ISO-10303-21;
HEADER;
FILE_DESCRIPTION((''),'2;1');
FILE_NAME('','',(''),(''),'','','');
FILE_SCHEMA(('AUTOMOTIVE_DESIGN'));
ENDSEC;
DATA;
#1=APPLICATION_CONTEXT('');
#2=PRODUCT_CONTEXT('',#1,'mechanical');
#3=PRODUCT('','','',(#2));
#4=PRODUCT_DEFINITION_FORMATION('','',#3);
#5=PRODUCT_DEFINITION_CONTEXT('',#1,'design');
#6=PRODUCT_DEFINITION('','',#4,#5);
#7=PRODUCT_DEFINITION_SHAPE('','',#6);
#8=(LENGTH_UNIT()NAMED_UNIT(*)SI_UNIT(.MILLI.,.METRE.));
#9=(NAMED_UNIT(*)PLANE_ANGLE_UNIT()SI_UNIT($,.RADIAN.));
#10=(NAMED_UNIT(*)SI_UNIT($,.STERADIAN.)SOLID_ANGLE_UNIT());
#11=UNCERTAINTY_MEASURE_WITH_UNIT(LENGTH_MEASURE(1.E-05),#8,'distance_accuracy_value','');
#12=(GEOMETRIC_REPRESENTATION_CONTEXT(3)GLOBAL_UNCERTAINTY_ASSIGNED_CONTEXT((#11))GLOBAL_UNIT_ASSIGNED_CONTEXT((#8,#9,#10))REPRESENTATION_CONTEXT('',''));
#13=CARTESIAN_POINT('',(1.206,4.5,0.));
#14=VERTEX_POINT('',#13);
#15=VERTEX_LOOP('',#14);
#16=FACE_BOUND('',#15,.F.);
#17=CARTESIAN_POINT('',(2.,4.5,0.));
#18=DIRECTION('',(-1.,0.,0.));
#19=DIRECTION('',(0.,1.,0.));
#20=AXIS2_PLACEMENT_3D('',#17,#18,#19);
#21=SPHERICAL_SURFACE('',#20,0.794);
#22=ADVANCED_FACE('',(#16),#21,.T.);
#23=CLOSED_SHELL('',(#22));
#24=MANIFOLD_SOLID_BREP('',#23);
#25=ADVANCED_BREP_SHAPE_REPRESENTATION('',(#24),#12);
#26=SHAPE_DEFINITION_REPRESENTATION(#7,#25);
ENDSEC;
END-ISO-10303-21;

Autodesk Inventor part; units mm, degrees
ref_plane "YZ Plane" through (0, 0, 0) normal (1, 0, 0) x (0, 1, 0)
ref_plane "XZ Plane" through (0, 0, 0) normal (0, 1, 0) x (-1, 0, 0)
ref_plane "XY Plane" through (0, 0, 0) normal (0, 0, 1) x (1, 0, 0)
sketch "Sketch_6" plane through (0, 0, 0) normal (0, 0, 1) x (1, 0, 0)
  line L0 (2.794, 4.5) -> (1.206, 4.5)
  arc A0 (2.794, 4.5) -> (1.206, 4.5) centre (2, 4.5) ccw
  line L1 (2.794, 4.5) -> (1.206, 4.5)
  dimension "d0" = 360
revolve "Revolution1" add sketch "Sketch_6" angle 360 about axis through (2.794, 4.5, 0) along (1, 0, 0)
properties part number "SKF_WBB1-8706-2RS1_PART3"
